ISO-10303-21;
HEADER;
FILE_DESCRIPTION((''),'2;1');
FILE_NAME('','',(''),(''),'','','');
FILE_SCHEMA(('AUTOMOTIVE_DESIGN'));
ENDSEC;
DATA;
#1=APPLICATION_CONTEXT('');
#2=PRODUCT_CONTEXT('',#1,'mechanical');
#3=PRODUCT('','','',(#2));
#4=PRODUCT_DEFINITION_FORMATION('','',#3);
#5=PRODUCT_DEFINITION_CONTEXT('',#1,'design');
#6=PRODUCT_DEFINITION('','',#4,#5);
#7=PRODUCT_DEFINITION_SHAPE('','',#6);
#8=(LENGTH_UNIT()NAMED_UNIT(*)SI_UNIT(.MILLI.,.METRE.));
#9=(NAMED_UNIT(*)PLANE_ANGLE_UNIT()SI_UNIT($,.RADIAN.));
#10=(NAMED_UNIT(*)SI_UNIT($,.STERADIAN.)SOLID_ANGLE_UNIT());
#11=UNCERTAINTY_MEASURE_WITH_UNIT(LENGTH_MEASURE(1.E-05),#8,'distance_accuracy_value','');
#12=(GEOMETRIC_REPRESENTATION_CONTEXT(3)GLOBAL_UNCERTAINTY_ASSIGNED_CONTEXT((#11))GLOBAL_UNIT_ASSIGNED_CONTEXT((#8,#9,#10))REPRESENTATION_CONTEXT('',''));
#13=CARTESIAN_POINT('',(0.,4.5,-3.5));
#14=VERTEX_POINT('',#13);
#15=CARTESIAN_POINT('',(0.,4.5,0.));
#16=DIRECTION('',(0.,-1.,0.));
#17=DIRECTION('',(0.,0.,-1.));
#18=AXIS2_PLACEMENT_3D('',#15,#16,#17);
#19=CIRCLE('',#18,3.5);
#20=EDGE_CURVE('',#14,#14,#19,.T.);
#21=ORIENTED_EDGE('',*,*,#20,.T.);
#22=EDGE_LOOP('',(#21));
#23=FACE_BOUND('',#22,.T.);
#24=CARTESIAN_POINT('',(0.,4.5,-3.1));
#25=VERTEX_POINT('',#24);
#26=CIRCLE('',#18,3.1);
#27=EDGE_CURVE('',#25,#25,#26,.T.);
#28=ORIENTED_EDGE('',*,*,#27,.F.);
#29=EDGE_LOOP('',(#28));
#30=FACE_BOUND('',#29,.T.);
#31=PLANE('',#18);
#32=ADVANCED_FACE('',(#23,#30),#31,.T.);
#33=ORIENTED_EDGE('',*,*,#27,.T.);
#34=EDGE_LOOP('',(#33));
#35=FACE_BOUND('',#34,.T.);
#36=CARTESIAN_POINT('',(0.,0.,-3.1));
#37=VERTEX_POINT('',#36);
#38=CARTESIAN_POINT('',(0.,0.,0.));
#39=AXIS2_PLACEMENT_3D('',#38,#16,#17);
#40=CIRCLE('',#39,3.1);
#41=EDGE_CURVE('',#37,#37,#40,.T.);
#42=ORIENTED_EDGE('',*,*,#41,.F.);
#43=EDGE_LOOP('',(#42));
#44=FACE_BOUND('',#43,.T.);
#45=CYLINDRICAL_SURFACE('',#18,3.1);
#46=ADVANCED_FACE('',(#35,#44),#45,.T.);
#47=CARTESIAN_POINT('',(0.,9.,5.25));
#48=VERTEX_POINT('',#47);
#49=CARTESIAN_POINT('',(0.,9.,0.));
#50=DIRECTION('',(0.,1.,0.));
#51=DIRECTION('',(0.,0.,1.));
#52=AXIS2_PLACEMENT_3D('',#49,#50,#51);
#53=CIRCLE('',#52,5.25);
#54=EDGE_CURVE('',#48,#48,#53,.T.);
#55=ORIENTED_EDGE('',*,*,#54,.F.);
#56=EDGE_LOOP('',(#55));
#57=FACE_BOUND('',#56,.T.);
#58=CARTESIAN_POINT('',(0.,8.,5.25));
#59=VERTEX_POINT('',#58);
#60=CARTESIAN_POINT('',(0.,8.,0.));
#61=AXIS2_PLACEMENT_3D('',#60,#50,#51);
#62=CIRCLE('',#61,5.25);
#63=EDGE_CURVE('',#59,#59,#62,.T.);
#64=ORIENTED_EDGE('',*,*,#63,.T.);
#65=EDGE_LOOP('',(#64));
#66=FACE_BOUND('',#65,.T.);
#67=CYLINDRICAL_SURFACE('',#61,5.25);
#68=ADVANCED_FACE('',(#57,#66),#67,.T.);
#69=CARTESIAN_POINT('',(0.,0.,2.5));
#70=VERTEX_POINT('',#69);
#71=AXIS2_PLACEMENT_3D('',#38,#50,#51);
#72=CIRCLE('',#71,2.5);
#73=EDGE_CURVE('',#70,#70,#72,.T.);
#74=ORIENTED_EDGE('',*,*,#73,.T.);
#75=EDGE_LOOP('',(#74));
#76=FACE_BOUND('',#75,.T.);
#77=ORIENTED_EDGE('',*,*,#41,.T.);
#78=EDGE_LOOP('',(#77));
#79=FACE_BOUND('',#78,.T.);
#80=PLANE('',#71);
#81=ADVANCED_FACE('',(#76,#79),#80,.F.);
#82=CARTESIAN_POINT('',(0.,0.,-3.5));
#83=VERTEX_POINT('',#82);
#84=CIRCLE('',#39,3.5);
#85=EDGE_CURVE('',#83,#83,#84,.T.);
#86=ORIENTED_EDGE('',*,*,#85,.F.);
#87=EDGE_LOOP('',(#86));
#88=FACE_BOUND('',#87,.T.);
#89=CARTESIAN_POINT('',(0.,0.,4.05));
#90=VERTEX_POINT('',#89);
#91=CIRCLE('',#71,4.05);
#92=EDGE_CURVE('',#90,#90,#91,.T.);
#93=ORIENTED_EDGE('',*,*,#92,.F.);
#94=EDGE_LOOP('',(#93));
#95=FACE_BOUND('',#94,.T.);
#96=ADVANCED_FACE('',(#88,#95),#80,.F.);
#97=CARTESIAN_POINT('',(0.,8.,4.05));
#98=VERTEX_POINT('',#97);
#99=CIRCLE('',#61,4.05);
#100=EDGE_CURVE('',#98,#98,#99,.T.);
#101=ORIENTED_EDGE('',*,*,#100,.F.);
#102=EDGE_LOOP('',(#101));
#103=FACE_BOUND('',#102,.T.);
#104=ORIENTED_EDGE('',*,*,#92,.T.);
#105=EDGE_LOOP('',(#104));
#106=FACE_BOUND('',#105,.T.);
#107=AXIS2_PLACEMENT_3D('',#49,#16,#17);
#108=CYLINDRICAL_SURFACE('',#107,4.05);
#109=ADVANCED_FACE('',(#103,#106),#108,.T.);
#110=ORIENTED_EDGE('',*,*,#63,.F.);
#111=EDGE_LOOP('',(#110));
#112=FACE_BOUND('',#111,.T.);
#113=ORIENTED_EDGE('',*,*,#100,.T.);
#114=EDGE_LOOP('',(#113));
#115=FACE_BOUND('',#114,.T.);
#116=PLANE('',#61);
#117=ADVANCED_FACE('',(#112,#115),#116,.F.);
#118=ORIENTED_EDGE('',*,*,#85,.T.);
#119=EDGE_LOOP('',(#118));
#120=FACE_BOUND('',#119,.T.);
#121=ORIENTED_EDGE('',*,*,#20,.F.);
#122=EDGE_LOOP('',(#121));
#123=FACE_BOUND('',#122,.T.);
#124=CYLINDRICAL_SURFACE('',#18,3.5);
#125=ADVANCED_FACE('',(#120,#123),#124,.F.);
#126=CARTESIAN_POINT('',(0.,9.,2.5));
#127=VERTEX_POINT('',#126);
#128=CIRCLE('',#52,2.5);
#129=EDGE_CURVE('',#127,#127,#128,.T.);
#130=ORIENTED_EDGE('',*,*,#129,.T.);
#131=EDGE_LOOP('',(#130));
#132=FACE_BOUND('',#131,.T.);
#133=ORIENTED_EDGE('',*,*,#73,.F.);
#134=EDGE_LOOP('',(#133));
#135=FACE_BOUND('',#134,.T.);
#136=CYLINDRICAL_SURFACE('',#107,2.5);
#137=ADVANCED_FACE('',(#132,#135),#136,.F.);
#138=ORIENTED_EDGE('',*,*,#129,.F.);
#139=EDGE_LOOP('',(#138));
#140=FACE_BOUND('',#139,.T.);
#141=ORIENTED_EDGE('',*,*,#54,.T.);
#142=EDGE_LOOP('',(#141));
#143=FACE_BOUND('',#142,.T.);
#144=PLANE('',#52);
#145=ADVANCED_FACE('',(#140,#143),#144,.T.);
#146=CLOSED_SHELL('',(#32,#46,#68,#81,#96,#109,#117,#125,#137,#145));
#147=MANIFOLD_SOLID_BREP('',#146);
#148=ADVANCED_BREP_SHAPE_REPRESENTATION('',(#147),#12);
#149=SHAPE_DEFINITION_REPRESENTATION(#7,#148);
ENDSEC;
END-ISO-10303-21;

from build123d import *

# Parameters (mm, degrees)
SKETCH1_R           = 4.05
SKETCH1_R_2         = 2.5
BOSS_EXTRUDE1_DEPTH = 9
BOSS_EXTRUDE2_START = -1
SKETCH2_R           = 5.25
SKETCH2_R_2         = 2.5
BOSS_EXTRUDE2_DEPTH = 1
SKETCH3_R           = 3.5
SKETCH3_R_2         = 3.1
CUT_EXTRUDE1_DEPTH  = 4.5


with BuildPart() as part:
    # Sketch1 → Boss-Extrude1 (new body)
    with BuildSketch(Plane(origin=(0, 0, 0), x_dir=(1, 0, 0), z_dir=(0, 1, 0))):
        with Locations(Location((0, 0, 0), (0, 0, 270))):
            Circle(SKETCH1_R)
        with Locations(Location((0, 0, 0), (0, 0, 270))):
            Circle(SKETCH1_R_2, mode=Mode.SUBTRACT)
    extrude(amount=BOSS_EXTRUDE1_DEPTH)

    # Sketch2 → Boss-Extrude2 (add)
    with BuildSketch(Plane(origin=(0, 9, 0), x_dir=(1, 0, 0), z_dir=(0, 1, 0)).offset(BOSS_EXTRUDE2_START)):
        with Locations(Location((0, 0, 0), (0, 0, 270))):
            Circle(SKETCH2_R)
        with Locations(Location((0, 0, 0), (0, 0, 270))):
            Circle(SKETCH2_R_2, mode=Mode.SUBTRACT)
    extrude(amount=BOSS_EXTRUDE2_DEPTH)

    # Sketch3 → Cut-Extrude1 (cut)
    with BuildSketch(Plane.XZ):
        with Locations(Location((0, 0, 0), (0, 0, 270))):
            Circle(SKETCH3_R)
        with Locations(Location((0, 0, 0), (0, 0, 270))):
            Circle(SKETCH3_R_2, mode=Mode.SUBTRACT)
    extrude(amount=-CUT_EXTRUDE1_DEPTH, mode=Mode.SUBTRACT)


solid = part.part
